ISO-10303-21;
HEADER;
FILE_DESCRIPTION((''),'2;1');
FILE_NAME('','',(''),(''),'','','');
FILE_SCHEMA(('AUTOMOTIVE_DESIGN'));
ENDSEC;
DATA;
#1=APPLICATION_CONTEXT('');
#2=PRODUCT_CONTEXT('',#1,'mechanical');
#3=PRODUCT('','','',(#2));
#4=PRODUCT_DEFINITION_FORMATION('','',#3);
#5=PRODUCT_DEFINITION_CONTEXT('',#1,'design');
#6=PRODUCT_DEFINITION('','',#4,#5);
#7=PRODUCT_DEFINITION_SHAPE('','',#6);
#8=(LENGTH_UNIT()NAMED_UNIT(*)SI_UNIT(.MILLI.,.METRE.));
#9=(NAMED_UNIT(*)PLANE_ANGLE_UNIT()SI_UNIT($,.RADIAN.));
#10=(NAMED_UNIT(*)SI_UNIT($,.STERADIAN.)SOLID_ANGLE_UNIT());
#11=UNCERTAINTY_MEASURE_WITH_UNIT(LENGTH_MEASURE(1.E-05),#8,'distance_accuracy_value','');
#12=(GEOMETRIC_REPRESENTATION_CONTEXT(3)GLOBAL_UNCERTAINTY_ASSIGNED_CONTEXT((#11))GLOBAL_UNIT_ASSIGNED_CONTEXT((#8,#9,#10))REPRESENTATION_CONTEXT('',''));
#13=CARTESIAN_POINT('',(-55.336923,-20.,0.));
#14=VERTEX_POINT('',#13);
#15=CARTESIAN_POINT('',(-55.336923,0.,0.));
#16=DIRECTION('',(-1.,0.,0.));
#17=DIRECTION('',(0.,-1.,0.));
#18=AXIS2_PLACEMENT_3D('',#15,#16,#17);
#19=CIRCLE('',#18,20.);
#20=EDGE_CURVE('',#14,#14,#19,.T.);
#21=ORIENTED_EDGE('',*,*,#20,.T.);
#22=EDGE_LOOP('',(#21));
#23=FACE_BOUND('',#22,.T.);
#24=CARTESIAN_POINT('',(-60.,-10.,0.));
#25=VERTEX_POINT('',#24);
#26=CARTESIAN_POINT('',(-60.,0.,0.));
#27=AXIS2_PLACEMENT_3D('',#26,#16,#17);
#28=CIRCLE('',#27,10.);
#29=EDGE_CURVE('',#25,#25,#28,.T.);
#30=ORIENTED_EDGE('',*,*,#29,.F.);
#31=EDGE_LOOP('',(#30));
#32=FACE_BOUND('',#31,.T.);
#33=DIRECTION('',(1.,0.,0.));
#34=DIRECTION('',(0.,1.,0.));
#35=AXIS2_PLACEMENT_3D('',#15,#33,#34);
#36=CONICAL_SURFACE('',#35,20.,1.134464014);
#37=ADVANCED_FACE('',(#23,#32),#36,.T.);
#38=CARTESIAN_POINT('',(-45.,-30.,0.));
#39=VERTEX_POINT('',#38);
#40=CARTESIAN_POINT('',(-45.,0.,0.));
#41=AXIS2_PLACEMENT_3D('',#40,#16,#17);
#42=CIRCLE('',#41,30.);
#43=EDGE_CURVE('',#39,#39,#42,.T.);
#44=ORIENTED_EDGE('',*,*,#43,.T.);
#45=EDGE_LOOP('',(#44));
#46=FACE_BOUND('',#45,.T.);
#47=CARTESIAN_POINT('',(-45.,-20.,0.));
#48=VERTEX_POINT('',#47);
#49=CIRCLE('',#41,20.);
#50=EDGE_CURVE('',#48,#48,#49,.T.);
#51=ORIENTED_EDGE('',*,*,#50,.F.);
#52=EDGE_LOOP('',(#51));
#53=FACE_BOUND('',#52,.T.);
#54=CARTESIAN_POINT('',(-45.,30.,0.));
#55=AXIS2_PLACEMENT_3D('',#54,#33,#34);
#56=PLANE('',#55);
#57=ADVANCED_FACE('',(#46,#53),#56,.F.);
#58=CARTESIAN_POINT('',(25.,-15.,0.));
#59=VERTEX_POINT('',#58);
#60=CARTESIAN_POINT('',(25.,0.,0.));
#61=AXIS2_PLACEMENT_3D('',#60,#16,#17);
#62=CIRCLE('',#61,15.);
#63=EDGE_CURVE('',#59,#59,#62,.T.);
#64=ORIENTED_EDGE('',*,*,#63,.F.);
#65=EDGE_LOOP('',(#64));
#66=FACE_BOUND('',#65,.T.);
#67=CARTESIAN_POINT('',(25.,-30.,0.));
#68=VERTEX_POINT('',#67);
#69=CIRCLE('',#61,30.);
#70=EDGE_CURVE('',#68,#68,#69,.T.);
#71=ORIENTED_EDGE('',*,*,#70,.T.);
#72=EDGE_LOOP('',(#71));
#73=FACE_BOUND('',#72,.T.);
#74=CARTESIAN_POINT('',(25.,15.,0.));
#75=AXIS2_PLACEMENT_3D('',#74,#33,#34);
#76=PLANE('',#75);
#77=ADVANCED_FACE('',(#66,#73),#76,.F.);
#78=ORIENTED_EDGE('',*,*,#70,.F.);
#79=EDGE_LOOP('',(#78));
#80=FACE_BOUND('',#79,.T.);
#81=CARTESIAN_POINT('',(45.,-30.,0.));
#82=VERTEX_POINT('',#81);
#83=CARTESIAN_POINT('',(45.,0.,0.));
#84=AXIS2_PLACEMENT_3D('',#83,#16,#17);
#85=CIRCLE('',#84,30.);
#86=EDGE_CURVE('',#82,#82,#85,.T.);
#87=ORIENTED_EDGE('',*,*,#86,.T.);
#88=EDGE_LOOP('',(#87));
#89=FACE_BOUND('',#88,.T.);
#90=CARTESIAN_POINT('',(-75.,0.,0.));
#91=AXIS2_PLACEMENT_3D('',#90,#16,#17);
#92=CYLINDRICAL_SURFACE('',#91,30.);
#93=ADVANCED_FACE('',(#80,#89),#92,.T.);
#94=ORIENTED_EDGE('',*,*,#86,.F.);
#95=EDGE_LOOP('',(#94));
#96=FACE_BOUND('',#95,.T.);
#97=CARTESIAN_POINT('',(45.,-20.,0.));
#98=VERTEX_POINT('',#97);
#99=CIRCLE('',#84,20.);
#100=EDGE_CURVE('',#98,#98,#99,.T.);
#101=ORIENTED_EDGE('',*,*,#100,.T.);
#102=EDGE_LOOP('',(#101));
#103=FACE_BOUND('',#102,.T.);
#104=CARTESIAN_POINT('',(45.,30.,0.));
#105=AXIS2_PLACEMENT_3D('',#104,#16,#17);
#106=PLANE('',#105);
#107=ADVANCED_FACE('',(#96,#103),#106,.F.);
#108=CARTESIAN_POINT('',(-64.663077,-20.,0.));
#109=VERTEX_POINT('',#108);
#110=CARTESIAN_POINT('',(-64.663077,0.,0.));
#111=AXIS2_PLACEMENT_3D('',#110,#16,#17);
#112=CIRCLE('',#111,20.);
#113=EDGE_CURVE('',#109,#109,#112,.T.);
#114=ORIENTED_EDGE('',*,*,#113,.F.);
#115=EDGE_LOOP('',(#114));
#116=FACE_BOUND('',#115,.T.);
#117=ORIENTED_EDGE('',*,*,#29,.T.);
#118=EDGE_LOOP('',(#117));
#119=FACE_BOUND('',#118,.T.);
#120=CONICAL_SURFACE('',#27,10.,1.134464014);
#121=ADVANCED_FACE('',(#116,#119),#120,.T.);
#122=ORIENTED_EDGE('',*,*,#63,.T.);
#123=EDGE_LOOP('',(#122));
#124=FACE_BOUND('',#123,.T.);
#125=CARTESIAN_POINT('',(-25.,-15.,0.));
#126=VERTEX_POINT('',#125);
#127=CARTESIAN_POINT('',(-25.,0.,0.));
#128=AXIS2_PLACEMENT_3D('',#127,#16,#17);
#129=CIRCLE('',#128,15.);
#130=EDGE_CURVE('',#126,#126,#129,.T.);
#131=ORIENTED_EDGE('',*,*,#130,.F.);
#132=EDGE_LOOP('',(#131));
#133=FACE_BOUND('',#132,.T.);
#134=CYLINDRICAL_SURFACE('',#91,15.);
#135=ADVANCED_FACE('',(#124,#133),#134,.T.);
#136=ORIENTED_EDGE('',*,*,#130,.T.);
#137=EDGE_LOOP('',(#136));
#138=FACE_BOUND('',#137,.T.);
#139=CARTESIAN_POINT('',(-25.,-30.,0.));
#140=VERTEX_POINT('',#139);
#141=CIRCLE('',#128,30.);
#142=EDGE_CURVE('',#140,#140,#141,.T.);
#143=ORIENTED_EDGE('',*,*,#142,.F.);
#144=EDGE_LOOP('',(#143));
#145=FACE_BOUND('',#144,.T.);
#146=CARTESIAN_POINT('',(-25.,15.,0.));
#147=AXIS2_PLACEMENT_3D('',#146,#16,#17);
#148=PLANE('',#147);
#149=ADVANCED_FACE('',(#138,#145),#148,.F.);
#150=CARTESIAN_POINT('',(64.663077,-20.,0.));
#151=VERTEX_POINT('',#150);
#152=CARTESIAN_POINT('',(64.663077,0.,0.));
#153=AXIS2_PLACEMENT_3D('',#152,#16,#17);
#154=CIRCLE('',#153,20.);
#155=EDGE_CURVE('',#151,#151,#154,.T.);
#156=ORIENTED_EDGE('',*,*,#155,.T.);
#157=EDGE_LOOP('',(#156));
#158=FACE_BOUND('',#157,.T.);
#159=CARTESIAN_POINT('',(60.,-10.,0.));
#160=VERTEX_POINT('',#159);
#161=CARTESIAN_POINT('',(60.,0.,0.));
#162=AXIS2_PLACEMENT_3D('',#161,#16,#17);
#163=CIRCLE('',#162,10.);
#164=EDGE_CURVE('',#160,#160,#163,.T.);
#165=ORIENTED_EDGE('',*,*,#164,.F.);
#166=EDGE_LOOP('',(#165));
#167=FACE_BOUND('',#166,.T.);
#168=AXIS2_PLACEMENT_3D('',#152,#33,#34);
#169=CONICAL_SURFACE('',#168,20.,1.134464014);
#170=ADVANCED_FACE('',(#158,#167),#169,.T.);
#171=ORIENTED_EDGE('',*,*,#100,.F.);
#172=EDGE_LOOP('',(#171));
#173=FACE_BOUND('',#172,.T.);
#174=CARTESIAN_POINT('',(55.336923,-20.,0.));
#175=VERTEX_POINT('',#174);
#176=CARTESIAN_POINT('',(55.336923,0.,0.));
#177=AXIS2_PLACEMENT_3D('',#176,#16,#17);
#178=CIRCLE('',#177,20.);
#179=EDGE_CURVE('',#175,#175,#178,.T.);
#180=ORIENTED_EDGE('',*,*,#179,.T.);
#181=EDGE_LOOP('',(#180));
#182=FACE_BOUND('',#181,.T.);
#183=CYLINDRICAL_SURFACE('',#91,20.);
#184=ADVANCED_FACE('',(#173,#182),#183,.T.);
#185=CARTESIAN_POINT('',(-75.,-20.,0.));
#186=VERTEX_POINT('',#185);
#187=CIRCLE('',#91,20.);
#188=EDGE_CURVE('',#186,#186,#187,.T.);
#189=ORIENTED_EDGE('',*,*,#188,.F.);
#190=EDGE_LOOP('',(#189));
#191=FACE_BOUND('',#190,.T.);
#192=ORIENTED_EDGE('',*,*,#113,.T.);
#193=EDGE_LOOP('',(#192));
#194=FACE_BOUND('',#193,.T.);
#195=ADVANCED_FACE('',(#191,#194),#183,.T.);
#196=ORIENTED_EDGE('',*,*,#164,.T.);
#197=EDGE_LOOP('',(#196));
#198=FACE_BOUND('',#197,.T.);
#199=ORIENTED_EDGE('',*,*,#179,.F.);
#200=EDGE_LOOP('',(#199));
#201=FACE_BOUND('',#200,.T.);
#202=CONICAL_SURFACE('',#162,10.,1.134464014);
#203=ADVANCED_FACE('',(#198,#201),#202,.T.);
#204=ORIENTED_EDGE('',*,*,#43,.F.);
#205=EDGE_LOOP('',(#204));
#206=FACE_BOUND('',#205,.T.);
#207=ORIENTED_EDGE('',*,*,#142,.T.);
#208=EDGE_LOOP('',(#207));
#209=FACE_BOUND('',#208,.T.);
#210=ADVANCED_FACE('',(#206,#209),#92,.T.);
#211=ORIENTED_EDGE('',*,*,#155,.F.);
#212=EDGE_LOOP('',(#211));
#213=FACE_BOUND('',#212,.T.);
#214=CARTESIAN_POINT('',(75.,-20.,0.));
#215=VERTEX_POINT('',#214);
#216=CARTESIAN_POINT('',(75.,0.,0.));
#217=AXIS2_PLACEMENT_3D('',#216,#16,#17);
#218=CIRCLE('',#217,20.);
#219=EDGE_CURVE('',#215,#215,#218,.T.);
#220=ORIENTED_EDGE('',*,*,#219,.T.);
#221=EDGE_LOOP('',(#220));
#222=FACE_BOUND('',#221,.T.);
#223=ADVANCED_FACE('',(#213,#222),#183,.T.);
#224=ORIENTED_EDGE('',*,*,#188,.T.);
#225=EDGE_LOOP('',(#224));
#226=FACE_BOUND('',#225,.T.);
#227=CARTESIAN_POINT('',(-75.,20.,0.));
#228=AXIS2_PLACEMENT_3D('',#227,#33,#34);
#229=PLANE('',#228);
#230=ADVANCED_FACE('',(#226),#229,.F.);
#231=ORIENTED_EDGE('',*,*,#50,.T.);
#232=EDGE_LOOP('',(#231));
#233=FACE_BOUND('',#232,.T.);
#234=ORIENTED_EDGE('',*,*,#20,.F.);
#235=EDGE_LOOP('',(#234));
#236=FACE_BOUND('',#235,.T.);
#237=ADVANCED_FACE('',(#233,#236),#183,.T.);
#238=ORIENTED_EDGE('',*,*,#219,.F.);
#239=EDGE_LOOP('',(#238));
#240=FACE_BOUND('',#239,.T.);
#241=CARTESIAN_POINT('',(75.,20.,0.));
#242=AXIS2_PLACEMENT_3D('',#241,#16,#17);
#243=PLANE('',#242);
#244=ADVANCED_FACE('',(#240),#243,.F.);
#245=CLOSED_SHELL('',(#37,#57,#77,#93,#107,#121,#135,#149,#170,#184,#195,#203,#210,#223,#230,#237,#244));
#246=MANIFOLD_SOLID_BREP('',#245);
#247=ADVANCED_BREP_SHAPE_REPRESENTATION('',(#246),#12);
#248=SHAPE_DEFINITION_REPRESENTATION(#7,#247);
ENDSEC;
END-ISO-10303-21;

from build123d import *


with BuildPart() as part:
    # 스케치1 → 회전1 (revolve)
    with BuildSketch(Plane.XY):
        Polygon((25, 15), (-25, 15), (-25, 30), (-45, 30), (-45, 20), (-55.336923418, 20), (-60, 10), (-64.663076582, 20), (-75, 20), (-75, 0), (75, 0), (75, 20), (64.663076582, 20), (60, 10), (55.336923418, 20), (45, 20), (45, 30), (25, 30), align=None)
    revolve(axis=Axis((-75, 0, 0), (1, 0, 0)))


solid = part.part
